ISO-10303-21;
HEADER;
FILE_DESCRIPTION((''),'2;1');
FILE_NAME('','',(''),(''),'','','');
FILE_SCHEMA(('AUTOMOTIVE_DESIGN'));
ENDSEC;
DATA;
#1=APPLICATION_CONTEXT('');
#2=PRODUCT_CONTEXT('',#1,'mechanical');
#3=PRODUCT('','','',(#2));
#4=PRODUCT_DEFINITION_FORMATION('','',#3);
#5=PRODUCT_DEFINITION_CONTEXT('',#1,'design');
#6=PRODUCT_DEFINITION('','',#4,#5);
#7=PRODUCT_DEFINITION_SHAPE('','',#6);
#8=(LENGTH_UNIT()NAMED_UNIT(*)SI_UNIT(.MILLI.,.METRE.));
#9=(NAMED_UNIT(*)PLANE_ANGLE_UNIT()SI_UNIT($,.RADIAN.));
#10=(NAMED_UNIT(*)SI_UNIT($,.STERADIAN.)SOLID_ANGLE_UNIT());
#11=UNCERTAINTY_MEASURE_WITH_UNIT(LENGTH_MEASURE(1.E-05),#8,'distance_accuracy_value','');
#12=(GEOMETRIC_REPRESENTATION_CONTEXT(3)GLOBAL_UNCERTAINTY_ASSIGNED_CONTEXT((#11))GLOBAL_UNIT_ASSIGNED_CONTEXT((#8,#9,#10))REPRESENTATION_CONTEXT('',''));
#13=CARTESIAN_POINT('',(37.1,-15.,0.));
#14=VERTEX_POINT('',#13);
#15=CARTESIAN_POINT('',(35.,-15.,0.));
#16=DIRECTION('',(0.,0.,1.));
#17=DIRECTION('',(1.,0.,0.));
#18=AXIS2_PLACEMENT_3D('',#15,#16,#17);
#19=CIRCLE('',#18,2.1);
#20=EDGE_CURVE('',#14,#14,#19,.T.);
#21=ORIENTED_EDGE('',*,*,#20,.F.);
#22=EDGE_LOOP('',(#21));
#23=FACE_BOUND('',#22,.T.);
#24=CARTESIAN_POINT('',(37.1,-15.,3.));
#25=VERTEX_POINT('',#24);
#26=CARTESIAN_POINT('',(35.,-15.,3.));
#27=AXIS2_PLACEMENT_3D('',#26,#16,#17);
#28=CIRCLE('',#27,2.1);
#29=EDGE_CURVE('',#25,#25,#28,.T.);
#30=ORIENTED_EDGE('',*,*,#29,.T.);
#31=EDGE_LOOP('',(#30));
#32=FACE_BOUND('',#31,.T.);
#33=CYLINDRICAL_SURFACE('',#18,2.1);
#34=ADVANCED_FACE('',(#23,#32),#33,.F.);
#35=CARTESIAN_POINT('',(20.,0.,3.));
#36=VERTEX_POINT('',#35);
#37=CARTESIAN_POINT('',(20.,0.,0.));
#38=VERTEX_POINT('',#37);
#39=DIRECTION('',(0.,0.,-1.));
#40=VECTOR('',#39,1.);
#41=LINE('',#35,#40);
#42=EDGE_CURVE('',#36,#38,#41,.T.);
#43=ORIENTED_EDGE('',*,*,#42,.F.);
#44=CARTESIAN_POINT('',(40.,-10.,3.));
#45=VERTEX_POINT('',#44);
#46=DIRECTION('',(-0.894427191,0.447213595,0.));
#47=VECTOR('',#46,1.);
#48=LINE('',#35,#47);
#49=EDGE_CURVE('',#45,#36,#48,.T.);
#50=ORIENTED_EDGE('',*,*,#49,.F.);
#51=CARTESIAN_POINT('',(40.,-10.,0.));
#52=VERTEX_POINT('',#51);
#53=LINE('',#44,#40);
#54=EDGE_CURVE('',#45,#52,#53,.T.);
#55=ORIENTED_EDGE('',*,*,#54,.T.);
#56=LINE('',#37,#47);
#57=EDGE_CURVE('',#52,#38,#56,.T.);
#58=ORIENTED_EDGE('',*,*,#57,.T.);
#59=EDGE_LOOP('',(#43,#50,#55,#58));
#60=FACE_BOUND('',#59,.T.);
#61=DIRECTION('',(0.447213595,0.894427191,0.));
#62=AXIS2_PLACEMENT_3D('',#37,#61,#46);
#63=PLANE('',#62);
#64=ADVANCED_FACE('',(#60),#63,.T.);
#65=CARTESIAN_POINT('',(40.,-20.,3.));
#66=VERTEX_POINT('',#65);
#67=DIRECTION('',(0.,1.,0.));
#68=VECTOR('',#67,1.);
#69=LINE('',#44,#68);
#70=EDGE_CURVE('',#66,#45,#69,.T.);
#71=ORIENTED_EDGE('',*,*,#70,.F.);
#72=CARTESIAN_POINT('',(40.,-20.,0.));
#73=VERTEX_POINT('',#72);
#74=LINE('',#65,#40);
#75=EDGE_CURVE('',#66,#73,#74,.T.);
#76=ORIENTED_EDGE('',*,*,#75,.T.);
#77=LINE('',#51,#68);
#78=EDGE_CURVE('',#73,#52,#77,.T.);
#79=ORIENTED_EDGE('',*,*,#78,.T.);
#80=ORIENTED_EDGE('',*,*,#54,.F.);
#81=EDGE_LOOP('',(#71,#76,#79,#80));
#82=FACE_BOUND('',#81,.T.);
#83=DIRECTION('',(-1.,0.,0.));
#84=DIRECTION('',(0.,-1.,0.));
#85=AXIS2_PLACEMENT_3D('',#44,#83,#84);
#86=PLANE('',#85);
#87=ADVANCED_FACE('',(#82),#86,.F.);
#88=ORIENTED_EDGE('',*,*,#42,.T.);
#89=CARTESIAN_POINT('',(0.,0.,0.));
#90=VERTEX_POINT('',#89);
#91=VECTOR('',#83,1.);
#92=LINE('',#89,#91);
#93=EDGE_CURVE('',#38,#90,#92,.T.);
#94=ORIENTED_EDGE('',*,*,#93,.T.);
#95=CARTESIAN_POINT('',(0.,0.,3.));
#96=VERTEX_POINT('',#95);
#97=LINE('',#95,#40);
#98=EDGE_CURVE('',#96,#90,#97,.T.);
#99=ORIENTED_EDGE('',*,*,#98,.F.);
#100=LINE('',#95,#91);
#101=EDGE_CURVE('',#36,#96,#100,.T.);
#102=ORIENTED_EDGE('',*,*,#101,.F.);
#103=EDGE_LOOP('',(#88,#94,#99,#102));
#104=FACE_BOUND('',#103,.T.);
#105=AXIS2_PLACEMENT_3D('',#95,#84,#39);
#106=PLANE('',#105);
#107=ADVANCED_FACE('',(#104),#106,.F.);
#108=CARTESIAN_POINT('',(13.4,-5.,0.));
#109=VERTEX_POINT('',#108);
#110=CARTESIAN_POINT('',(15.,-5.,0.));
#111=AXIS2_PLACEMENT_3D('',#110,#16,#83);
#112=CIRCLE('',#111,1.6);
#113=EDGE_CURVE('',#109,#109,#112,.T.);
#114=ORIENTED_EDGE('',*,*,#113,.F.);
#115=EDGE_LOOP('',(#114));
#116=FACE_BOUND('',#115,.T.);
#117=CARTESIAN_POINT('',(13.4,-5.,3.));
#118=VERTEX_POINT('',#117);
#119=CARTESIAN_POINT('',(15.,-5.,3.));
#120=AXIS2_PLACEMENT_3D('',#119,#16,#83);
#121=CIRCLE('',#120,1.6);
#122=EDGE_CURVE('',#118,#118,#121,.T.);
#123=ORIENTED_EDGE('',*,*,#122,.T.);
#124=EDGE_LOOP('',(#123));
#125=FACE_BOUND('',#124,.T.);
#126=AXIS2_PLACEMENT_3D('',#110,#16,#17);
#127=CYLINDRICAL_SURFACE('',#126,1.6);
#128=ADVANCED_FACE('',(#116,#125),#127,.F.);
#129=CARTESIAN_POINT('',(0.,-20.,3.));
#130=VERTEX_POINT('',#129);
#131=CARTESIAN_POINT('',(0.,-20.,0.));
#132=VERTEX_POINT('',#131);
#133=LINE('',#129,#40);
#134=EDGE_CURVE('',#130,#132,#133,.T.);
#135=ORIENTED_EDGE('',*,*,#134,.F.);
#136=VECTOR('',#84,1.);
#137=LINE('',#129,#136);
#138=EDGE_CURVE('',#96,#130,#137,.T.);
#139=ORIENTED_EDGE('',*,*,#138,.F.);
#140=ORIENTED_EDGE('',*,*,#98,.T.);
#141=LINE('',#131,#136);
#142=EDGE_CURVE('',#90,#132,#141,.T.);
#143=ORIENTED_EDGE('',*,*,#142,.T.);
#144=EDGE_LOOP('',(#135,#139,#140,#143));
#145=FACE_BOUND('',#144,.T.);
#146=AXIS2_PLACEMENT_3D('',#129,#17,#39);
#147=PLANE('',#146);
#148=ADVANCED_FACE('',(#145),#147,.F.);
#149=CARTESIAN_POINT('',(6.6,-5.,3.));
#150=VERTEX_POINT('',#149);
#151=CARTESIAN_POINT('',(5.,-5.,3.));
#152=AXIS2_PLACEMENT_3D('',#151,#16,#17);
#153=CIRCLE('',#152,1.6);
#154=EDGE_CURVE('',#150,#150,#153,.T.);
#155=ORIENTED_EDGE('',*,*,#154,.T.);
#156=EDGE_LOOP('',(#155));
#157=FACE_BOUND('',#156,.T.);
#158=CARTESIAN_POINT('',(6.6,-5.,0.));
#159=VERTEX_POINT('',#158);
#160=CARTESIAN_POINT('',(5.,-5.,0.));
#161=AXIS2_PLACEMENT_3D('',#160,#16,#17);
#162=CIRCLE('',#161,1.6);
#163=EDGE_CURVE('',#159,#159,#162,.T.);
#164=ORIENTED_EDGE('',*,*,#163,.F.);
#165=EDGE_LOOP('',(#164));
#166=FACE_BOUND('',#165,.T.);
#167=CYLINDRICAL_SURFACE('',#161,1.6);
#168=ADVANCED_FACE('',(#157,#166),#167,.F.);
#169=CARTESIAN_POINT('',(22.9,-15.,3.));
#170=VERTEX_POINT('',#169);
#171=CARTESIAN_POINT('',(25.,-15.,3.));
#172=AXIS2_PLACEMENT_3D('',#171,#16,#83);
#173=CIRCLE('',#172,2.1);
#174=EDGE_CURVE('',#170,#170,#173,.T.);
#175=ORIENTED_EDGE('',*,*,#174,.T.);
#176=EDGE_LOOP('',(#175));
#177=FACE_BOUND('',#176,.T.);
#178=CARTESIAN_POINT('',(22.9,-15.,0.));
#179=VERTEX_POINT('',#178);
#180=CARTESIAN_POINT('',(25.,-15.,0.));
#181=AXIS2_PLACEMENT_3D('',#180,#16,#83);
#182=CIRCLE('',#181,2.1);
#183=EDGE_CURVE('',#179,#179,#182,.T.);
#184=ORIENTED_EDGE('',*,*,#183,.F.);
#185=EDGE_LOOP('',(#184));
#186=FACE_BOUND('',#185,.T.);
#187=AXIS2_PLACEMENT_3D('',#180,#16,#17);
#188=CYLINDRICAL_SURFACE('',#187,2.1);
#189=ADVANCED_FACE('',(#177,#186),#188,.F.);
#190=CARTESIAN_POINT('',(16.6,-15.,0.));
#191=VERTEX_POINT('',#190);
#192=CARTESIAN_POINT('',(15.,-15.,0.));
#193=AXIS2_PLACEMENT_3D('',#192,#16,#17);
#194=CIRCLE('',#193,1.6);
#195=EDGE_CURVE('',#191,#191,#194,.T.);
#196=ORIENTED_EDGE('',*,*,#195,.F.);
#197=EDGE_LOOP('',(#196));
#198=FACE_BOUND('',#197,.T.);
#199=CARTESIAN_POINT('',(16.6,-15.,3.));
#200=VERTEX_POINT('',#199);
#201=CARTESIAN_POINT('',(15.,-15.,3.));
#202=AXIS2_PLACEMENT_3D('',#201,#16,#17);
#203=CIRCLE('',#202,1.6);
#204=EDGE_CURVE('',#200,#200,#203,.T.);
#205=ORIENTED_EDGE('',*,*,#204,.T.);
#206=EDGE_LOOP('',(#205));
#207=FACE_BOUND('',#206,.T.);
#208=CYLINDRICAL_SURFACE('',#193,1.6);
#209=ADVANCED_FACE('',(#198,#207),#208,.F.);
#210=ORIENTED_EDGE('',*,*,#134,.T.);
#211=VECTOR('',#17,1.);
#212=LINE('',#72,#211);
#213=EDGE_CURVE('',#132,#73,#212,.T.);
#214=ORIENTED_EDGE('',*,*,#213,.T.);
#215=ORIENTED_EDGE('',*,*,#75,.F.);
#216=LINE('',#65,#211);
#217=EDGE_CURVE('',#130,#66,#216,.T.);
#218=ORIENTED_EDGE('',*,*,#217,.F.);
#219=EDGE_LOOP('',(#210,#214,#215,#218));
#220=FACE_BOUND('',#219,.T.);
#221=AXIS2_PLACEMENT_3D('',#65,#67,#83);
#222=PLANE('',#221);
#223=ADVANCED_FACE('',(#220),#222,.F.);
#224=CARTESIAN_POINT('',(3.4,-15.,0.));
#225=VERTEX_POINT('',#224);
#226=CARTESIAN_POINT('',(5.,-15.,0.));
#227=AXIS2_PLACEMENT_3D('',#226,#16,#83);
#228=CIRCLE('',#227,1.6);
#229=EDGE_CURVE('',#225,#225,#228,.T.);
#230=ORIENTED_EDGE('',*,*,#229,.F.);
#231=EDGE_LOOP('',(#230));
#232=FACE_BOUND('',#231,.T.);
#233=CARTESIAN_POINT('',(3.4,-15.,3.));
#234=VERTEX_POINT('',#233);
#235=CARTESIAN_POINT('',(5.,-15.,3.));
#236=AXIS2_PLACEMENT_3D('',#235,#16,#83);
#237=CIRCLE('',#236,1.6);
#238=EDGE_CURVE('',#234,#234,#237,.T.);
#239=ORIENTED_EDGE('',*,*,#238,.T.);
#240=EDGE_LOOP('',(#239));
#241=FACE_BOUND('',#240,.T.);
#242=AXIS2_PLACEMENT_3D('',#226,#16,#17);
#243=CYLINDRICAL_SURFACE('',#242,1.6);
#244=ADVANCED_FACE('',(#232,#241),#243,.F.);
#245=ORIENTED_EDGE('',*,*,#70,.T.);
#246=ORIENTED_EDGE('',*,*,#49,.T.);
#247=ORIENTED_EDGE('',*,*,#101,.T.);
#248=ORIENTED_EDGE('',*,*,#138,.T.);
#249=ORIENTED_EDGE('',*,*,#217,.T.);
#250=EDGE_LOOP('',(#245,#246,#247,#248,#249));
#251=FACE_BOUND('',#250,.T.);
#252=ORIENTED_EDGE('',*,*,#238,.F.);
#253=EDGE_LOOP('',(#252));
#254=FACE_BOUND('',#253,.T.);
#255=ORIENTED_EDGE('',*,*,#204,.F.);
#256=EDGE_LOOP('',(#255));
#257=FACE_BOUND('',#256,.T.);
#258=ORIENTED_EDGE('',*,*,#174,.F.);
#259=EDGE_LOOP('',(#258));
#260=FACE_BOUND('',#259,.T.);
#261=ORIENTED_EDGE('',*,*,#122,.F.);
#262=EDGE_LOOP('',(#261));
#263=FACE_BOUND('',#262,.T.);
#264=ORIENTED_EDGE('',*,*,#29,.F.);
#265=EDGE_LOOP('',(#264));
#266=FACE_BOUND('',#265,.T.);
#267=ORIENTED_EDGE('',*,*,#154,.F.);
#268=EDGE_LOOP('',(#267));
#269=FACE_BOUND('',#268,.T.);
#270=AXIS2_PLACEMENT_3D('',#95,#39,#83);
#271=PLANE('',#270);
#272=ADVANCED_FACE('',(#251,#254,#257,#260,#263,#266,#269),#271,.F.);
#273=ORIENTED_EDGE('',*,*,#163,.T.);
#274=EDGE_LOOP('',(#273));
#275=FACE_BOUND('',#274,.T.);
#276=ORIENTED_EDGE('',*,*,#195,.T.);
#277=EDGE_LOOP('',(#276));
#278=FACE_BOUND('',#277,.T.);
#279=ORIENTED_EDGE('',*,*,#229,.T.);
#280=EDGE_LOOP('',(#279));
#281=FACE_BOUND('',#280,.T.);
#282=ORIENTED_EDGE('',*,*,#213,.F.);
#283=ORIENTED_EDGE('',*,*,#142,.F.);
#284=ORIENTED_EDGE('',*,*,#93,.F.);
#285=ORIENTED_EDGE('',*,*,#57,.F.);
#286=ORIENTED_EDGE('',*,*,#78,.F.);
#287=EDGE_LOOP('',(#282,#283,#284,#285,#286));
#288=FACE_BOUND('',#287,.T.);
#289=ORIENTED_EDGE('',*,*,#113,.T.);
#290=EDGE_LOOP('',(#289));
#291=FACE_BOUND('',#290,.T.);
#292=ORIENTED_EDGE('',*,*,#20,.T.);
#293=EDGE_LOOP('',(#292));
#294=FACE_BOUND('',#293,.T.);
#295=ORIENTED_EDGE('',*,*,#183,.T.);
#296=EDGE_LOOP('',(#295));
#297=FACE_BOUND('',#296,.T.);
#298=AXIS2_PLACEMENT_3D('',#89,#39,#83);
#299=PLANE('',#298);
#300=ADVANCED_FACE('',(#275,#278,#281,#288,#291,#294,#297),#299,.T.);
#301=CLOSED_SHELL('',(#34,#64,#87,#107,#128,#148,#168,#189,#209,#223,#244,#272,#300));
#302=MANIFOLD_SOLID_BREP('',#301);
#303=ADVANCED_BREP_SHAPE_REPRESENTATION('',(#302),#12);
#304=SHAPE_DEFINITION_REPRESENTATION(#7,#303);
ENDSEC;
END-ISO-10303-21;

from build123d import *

# Parameters (mm, degrees)
EXTRUDE_1_DEPTH     = 3
SKETCH_2_R          = 1.6
SKETCH_2_R_2        = 2.1
CUT_EXTRUDE_1_DEPTH = 45.821869662
EXTRUDE_2_DEPTH     = 3


with BuildPart() as part:
    # 草图1 → 凸台-拉伸1 (new body)
    with BuildSketch(Plane.XY):
        Polygon((0, 0), (20, 0), (20, -10), (40, -10), (40, -20), (0, -20), align=None)
    extrude(amount=EXTRUDE_1_DEPTH)

    # 草图2 → 切除-拉伸1 (cut, through all)
    with BuildSketch(Plane.XY.offset(3)):
        with Locations((5, -5)):
            Circle(SKETCH_2_R)
        with Locations(Location((5, -15, 0), (0, 0, 180))):
            Circle(SKETCH_2_R)
        with Locations(Location((15, -5, 0), (0, 0, 180))):
            Circle(SKETCH_2_R)
        with Locations((15, -15)):
            Circle(SKETCH_2_R)
        with Locations((35, -15)):
            Circle(SKETCH_2_R_2)
        with Locations(Location((25, -15, 0), (0, 0, 180))):
            Circle(SKETCH_2_R_2)
    extrude(amount=-CUT_EXTRUDE_1_DEPTH, mode=Mode.SUBTRACT)

    # 草图4 → 凸台-拉伸2 (add)
    with BuildSketch(Plane.XY.offset(3)):
        Polygon((20, 0), (40, -10), (20, -10), align=None)
    extrude(amount=-EXTRUDE_2_DEPTH)


solid = part.part
